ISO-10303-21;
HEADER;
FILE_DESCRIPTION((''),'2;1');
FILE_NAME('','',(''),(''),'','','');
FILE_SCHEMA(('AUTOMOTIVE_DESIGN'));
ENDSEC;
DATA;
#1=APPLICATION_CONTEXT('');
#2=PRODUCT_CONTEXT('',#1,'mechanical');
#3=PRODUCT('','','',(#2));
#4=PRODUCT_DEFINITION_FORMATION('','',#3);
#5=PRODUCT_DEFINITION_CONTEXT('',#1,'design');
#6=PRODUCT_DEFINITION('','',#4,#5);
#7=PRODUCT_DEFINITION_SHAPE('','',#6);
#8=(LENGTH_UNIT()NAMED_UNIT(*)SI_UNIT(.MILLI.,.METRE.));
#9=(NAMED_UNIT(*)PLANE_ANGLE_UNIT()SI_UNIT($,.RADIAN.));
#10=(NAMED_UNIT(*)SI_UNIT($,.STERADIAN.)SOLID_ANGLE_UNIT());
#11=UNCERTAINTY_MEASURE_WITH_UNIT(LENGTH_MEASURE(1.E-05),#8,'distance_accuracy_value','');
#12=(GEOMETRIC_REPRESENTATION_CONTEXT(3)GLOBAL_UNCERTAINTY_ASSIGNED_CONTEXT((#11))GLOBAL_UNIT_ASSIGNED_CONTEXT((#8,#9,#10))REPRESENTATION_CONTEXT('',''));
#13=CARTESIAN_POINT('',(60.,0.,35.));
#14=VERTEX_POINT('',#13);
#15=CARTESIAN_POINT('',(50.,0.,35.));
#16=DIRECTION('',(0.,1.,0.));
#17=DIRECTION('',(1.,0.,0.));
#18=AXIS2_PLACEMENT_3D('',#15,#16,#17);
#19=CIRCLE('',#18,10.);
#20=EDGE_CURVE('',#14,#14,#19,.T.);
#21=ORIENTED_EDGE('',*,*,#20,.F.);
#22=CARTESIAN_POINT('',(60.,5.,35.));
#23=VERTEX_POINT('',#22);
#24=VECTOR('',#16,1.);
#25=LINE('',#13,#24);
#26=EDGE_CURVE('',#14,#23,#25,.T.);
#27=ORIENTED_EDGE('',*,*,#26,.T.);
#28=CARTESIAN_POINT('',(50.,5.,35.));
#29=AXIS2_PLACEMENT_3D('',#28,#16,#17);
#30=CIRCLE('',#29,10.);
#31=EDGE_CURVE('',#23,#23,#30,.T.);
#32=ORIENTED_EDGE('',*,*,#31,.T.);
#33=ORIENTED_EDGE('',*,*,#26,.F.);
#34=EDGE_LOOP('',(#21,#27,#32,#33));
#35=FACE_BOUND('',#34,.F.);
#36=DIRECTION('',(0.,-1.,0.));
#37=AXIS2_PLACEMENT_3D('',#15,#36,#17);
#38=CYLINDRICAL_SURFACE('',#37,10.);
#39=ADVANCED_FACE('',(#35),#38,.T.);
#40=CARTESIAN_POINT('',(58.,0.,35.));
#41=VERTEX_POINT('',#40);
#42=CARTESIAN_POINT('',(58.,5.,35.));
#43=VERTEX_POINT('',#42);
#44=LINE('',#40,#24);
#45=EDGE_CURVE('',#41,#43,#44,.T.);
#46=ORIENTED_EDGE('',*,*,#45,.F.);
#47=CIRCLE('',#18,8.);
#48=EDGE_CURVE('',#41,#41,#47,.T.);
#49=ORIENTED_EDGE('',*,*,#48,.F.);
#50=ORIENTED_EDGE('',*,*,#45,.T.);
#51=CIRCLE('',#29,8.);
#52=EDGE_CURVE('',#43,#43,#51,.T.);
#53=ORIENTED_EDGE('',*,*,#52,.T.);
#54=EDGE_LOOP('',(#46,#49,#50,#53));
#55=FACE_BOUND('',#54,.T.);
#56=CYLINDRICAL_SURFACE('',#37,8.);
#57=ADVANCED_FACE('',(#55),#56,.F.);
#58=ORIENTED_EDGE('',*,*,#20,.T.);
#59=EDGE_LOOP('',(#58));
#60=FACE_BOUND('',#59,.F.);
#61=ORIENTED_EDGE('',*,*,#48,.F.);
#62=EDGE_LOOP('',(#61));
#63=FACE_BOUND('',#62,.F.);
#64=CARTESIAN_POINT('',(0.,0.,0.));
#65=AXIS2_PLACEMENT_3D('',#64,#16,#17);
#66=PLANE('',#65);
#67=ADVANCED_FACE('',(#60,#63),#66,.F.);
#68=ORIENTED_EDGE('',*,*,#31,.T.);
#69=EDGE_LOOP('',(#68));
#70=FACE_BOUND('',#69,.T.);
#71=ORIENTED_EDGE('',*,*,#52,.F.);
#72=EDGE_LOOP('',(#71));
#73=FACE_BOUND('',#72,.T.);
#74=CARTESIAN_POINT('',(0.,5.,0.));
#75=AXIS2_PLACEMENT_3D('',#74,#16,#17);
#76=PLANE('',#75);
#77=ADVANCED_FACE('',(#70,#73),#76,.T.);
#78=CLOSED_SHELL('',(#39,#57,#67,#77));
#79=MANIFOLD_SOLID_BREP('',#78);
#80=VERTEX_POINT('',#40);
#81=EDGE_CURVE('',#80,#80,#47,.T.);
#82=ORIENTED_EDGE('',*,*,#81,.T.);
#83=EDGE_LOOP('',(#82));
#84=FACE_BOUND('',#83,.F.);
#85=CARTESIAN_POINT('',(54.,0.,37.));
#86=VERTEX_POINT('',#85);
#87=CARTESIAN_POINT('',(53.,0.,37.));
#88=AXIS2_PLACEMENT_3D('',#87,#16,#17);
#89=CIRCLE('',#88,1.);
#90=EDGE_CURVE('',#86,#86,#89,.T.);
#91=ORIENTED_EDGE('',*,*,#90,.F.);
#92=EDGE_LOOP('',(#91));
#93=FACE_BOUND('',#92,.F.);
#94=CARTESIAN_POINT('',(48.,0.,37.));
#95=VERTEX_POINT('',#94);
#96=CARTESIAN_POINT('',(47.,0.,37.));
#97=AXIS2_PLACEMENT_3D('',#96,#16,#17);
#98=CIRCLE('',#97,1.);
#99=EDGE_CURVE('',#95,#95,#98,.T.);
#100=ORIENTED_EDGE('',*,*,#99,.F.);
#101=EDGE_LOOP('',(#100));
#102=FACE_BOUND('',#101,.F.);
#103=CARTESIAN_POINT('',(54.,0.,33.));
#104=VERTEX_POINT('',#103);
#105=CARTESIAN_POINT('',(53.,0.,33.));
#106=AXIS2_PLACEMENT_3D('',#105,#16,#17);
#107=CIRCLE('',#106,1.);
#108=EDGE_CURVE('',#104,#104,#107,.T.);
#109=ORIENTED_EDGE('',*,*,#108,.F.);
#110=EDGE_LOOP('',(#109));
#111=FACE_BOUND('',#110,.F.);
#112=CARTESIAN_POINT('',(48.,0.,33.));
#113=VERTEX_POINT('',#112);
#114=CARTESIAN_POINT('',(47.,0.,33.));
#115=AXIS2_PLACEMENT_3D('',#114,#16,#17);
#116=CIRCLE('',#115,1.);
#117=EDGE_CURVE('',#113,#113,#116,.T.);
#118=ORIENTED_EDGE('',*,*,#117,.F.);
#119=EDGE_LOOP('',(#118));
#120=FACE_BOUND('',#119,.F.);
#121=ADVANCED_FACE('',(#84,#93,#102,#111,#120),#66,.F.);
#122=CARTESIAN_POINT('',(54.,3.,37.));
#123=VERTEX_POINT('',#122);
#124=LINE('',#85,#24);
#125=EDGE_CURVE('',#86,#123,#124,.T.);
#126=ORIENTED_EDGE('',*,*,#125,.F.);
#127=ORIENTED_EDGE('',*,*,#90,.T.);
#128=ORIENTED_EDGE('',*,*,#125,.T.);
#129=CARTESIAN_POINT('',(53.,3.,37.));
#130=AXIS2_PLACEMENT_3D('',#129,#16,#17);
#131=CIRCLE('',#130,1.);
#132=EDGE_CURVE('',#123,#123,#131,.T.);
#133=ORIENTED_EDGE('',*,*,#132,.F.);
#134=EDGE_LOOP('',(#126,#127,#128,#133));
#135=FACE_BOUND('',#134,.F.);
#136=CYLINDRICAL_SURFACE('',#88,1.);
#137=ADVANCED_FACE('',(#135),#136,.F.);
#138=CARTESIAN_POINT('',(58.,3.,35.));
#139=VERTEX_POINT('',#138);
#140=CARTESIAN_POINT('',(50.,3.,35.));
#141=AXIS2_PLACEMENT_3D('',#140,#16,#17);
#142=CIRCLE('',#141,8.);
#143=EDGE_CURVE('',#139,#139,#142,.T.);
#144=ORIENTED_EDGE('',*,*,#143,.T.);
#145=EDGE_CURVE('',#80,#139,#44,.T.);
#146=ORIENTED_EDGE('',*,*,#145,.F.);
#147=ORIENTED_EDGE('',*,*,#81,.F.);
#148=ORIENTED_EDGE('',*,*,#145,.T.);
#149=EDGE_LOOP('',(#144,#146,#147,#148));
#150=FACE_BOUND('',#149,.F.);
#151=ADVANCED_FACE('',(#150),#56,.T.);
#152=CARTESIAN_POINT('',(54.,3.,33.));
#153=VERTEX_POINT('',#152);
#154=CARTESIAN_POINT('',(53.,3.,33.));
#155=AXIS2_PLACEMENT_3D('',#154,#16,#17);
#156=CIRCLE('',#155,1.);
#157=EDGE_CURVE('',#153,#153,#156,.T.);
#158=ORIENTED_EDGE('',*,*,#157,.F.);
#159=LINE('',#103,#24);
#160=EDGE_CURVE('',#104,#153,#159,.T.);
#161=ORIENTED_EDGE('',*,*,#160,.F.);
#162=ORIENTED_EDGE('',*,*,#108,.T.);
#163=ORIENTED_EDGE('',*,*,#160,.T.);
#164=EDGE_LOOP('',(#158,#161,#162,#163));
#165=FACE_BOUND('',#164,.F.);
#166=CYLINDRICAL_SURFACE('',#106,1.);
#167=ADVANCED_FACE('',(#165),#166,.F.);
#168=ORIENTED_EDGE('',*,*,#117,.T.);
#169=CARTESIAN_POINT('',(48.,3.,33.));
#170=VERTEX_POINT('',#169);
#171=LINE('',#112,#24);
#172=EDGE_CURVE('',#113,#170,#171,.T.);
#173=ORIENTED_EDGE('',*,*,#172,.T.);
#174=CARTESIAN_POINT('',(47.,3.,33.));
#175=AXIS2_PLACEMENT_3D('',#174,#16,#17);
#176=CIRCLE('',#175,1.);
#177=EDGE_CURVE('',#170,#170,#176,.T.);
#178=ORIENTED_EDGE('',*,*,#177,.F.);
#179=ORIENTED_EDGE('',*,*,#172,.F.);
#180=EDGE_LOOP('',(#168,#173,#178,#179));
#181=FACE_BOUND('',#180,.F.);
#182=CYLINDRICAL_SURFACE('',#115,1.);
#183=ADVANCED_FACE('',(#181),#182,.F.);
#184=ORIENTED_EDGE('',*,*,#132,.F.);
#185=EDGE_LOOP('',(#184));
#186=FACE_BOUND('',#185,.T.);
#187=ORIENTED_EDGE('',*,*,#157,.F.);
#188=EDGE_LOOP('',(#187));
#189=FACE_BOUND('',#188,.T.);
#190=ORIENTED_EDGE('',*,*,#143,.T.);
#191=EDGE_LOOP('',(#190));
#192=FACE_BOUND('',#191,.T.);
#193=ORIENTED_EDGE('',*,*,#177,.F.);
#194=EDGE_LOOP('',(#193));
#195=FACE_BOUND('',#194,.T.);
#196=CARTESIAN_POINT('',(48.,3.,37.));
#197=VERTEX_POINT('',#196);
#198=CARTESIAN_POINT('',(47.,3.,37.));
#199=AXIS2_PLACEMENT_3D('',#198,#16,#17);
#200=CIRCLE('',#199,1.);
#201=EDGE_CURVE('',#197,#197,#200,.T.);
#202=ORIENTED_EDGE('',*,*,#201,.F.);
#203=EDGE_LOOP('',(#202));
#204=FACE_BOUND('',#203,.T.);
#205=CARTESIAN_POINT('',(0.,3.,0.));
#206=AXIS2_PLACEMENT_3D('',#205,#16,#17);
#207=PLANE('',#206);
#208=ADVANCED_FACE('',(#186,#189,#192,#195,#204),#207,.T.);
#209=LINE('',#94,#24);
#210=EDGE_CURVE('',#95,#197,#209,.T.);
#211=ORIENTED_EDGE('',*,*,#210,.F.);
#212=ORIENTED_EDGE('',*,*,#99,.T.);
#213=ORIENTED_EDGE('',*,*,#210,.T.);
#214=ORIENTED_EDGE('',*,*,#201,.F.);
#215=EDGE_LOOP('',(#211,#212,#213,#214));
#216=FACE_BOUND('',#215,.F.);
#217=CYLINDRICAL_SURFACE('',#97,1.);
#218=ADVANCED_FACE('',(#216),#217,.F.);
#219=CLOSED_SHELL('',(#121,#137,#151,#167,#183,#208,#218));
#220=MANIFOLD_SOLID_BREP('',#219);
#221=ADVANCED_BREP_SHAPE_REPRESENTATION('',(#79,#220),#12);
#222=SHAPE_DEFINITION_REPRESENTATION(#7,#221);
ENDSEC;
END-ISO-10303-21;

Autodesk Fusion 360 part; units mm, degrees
sketch "草图1" plane through (0, 0, 0) normal (0, 1, 0) x (1, 0, 0)
  circle A0 centre (50, -35) radius 10
  circle A1 centre (50, -35) radius 8
  dimension "d1" = 2
extrude "拉伸1" add sketch "草图1" along normal blind 3 contours A1 makes body 1
extrude "拉伸2" add sketch "草图1" along normal blind 5 separate body makes body 2
cylinder "圆柱体基本要素1" add diameter 2 height 20 placed x (1, 0, 0) y (0, 0, -1) z (0, 1, 0) at (50, 0, 10) separate body makes body 3
move_body "移动1" bodies 3 to x (1, 0, 0) y (0, 1, 0) z (0, 0, 1) at (-2, 0, 21)
pattern_linear "R-阵列1" count 2 spacing 6 along (1, 0, 0) count 2 spacing 4 along (0, 0, 1) of bodies 3 makes body 4 at (54.995, 13.3333, 31.0996) makes body 5 at (47.1218, 6.6667, 34.5217) makes body 6 at (53.1218, 6.6667, 34.5217)
move_body "移动2" bodies 3 4 6 5 to x (1, 0, 0) y (0, 1, 0) z (0, 0, 1) at (-1, 0, 2)
combine "合并1" operation cut target body 1 tool bodies 4 5 6 3
